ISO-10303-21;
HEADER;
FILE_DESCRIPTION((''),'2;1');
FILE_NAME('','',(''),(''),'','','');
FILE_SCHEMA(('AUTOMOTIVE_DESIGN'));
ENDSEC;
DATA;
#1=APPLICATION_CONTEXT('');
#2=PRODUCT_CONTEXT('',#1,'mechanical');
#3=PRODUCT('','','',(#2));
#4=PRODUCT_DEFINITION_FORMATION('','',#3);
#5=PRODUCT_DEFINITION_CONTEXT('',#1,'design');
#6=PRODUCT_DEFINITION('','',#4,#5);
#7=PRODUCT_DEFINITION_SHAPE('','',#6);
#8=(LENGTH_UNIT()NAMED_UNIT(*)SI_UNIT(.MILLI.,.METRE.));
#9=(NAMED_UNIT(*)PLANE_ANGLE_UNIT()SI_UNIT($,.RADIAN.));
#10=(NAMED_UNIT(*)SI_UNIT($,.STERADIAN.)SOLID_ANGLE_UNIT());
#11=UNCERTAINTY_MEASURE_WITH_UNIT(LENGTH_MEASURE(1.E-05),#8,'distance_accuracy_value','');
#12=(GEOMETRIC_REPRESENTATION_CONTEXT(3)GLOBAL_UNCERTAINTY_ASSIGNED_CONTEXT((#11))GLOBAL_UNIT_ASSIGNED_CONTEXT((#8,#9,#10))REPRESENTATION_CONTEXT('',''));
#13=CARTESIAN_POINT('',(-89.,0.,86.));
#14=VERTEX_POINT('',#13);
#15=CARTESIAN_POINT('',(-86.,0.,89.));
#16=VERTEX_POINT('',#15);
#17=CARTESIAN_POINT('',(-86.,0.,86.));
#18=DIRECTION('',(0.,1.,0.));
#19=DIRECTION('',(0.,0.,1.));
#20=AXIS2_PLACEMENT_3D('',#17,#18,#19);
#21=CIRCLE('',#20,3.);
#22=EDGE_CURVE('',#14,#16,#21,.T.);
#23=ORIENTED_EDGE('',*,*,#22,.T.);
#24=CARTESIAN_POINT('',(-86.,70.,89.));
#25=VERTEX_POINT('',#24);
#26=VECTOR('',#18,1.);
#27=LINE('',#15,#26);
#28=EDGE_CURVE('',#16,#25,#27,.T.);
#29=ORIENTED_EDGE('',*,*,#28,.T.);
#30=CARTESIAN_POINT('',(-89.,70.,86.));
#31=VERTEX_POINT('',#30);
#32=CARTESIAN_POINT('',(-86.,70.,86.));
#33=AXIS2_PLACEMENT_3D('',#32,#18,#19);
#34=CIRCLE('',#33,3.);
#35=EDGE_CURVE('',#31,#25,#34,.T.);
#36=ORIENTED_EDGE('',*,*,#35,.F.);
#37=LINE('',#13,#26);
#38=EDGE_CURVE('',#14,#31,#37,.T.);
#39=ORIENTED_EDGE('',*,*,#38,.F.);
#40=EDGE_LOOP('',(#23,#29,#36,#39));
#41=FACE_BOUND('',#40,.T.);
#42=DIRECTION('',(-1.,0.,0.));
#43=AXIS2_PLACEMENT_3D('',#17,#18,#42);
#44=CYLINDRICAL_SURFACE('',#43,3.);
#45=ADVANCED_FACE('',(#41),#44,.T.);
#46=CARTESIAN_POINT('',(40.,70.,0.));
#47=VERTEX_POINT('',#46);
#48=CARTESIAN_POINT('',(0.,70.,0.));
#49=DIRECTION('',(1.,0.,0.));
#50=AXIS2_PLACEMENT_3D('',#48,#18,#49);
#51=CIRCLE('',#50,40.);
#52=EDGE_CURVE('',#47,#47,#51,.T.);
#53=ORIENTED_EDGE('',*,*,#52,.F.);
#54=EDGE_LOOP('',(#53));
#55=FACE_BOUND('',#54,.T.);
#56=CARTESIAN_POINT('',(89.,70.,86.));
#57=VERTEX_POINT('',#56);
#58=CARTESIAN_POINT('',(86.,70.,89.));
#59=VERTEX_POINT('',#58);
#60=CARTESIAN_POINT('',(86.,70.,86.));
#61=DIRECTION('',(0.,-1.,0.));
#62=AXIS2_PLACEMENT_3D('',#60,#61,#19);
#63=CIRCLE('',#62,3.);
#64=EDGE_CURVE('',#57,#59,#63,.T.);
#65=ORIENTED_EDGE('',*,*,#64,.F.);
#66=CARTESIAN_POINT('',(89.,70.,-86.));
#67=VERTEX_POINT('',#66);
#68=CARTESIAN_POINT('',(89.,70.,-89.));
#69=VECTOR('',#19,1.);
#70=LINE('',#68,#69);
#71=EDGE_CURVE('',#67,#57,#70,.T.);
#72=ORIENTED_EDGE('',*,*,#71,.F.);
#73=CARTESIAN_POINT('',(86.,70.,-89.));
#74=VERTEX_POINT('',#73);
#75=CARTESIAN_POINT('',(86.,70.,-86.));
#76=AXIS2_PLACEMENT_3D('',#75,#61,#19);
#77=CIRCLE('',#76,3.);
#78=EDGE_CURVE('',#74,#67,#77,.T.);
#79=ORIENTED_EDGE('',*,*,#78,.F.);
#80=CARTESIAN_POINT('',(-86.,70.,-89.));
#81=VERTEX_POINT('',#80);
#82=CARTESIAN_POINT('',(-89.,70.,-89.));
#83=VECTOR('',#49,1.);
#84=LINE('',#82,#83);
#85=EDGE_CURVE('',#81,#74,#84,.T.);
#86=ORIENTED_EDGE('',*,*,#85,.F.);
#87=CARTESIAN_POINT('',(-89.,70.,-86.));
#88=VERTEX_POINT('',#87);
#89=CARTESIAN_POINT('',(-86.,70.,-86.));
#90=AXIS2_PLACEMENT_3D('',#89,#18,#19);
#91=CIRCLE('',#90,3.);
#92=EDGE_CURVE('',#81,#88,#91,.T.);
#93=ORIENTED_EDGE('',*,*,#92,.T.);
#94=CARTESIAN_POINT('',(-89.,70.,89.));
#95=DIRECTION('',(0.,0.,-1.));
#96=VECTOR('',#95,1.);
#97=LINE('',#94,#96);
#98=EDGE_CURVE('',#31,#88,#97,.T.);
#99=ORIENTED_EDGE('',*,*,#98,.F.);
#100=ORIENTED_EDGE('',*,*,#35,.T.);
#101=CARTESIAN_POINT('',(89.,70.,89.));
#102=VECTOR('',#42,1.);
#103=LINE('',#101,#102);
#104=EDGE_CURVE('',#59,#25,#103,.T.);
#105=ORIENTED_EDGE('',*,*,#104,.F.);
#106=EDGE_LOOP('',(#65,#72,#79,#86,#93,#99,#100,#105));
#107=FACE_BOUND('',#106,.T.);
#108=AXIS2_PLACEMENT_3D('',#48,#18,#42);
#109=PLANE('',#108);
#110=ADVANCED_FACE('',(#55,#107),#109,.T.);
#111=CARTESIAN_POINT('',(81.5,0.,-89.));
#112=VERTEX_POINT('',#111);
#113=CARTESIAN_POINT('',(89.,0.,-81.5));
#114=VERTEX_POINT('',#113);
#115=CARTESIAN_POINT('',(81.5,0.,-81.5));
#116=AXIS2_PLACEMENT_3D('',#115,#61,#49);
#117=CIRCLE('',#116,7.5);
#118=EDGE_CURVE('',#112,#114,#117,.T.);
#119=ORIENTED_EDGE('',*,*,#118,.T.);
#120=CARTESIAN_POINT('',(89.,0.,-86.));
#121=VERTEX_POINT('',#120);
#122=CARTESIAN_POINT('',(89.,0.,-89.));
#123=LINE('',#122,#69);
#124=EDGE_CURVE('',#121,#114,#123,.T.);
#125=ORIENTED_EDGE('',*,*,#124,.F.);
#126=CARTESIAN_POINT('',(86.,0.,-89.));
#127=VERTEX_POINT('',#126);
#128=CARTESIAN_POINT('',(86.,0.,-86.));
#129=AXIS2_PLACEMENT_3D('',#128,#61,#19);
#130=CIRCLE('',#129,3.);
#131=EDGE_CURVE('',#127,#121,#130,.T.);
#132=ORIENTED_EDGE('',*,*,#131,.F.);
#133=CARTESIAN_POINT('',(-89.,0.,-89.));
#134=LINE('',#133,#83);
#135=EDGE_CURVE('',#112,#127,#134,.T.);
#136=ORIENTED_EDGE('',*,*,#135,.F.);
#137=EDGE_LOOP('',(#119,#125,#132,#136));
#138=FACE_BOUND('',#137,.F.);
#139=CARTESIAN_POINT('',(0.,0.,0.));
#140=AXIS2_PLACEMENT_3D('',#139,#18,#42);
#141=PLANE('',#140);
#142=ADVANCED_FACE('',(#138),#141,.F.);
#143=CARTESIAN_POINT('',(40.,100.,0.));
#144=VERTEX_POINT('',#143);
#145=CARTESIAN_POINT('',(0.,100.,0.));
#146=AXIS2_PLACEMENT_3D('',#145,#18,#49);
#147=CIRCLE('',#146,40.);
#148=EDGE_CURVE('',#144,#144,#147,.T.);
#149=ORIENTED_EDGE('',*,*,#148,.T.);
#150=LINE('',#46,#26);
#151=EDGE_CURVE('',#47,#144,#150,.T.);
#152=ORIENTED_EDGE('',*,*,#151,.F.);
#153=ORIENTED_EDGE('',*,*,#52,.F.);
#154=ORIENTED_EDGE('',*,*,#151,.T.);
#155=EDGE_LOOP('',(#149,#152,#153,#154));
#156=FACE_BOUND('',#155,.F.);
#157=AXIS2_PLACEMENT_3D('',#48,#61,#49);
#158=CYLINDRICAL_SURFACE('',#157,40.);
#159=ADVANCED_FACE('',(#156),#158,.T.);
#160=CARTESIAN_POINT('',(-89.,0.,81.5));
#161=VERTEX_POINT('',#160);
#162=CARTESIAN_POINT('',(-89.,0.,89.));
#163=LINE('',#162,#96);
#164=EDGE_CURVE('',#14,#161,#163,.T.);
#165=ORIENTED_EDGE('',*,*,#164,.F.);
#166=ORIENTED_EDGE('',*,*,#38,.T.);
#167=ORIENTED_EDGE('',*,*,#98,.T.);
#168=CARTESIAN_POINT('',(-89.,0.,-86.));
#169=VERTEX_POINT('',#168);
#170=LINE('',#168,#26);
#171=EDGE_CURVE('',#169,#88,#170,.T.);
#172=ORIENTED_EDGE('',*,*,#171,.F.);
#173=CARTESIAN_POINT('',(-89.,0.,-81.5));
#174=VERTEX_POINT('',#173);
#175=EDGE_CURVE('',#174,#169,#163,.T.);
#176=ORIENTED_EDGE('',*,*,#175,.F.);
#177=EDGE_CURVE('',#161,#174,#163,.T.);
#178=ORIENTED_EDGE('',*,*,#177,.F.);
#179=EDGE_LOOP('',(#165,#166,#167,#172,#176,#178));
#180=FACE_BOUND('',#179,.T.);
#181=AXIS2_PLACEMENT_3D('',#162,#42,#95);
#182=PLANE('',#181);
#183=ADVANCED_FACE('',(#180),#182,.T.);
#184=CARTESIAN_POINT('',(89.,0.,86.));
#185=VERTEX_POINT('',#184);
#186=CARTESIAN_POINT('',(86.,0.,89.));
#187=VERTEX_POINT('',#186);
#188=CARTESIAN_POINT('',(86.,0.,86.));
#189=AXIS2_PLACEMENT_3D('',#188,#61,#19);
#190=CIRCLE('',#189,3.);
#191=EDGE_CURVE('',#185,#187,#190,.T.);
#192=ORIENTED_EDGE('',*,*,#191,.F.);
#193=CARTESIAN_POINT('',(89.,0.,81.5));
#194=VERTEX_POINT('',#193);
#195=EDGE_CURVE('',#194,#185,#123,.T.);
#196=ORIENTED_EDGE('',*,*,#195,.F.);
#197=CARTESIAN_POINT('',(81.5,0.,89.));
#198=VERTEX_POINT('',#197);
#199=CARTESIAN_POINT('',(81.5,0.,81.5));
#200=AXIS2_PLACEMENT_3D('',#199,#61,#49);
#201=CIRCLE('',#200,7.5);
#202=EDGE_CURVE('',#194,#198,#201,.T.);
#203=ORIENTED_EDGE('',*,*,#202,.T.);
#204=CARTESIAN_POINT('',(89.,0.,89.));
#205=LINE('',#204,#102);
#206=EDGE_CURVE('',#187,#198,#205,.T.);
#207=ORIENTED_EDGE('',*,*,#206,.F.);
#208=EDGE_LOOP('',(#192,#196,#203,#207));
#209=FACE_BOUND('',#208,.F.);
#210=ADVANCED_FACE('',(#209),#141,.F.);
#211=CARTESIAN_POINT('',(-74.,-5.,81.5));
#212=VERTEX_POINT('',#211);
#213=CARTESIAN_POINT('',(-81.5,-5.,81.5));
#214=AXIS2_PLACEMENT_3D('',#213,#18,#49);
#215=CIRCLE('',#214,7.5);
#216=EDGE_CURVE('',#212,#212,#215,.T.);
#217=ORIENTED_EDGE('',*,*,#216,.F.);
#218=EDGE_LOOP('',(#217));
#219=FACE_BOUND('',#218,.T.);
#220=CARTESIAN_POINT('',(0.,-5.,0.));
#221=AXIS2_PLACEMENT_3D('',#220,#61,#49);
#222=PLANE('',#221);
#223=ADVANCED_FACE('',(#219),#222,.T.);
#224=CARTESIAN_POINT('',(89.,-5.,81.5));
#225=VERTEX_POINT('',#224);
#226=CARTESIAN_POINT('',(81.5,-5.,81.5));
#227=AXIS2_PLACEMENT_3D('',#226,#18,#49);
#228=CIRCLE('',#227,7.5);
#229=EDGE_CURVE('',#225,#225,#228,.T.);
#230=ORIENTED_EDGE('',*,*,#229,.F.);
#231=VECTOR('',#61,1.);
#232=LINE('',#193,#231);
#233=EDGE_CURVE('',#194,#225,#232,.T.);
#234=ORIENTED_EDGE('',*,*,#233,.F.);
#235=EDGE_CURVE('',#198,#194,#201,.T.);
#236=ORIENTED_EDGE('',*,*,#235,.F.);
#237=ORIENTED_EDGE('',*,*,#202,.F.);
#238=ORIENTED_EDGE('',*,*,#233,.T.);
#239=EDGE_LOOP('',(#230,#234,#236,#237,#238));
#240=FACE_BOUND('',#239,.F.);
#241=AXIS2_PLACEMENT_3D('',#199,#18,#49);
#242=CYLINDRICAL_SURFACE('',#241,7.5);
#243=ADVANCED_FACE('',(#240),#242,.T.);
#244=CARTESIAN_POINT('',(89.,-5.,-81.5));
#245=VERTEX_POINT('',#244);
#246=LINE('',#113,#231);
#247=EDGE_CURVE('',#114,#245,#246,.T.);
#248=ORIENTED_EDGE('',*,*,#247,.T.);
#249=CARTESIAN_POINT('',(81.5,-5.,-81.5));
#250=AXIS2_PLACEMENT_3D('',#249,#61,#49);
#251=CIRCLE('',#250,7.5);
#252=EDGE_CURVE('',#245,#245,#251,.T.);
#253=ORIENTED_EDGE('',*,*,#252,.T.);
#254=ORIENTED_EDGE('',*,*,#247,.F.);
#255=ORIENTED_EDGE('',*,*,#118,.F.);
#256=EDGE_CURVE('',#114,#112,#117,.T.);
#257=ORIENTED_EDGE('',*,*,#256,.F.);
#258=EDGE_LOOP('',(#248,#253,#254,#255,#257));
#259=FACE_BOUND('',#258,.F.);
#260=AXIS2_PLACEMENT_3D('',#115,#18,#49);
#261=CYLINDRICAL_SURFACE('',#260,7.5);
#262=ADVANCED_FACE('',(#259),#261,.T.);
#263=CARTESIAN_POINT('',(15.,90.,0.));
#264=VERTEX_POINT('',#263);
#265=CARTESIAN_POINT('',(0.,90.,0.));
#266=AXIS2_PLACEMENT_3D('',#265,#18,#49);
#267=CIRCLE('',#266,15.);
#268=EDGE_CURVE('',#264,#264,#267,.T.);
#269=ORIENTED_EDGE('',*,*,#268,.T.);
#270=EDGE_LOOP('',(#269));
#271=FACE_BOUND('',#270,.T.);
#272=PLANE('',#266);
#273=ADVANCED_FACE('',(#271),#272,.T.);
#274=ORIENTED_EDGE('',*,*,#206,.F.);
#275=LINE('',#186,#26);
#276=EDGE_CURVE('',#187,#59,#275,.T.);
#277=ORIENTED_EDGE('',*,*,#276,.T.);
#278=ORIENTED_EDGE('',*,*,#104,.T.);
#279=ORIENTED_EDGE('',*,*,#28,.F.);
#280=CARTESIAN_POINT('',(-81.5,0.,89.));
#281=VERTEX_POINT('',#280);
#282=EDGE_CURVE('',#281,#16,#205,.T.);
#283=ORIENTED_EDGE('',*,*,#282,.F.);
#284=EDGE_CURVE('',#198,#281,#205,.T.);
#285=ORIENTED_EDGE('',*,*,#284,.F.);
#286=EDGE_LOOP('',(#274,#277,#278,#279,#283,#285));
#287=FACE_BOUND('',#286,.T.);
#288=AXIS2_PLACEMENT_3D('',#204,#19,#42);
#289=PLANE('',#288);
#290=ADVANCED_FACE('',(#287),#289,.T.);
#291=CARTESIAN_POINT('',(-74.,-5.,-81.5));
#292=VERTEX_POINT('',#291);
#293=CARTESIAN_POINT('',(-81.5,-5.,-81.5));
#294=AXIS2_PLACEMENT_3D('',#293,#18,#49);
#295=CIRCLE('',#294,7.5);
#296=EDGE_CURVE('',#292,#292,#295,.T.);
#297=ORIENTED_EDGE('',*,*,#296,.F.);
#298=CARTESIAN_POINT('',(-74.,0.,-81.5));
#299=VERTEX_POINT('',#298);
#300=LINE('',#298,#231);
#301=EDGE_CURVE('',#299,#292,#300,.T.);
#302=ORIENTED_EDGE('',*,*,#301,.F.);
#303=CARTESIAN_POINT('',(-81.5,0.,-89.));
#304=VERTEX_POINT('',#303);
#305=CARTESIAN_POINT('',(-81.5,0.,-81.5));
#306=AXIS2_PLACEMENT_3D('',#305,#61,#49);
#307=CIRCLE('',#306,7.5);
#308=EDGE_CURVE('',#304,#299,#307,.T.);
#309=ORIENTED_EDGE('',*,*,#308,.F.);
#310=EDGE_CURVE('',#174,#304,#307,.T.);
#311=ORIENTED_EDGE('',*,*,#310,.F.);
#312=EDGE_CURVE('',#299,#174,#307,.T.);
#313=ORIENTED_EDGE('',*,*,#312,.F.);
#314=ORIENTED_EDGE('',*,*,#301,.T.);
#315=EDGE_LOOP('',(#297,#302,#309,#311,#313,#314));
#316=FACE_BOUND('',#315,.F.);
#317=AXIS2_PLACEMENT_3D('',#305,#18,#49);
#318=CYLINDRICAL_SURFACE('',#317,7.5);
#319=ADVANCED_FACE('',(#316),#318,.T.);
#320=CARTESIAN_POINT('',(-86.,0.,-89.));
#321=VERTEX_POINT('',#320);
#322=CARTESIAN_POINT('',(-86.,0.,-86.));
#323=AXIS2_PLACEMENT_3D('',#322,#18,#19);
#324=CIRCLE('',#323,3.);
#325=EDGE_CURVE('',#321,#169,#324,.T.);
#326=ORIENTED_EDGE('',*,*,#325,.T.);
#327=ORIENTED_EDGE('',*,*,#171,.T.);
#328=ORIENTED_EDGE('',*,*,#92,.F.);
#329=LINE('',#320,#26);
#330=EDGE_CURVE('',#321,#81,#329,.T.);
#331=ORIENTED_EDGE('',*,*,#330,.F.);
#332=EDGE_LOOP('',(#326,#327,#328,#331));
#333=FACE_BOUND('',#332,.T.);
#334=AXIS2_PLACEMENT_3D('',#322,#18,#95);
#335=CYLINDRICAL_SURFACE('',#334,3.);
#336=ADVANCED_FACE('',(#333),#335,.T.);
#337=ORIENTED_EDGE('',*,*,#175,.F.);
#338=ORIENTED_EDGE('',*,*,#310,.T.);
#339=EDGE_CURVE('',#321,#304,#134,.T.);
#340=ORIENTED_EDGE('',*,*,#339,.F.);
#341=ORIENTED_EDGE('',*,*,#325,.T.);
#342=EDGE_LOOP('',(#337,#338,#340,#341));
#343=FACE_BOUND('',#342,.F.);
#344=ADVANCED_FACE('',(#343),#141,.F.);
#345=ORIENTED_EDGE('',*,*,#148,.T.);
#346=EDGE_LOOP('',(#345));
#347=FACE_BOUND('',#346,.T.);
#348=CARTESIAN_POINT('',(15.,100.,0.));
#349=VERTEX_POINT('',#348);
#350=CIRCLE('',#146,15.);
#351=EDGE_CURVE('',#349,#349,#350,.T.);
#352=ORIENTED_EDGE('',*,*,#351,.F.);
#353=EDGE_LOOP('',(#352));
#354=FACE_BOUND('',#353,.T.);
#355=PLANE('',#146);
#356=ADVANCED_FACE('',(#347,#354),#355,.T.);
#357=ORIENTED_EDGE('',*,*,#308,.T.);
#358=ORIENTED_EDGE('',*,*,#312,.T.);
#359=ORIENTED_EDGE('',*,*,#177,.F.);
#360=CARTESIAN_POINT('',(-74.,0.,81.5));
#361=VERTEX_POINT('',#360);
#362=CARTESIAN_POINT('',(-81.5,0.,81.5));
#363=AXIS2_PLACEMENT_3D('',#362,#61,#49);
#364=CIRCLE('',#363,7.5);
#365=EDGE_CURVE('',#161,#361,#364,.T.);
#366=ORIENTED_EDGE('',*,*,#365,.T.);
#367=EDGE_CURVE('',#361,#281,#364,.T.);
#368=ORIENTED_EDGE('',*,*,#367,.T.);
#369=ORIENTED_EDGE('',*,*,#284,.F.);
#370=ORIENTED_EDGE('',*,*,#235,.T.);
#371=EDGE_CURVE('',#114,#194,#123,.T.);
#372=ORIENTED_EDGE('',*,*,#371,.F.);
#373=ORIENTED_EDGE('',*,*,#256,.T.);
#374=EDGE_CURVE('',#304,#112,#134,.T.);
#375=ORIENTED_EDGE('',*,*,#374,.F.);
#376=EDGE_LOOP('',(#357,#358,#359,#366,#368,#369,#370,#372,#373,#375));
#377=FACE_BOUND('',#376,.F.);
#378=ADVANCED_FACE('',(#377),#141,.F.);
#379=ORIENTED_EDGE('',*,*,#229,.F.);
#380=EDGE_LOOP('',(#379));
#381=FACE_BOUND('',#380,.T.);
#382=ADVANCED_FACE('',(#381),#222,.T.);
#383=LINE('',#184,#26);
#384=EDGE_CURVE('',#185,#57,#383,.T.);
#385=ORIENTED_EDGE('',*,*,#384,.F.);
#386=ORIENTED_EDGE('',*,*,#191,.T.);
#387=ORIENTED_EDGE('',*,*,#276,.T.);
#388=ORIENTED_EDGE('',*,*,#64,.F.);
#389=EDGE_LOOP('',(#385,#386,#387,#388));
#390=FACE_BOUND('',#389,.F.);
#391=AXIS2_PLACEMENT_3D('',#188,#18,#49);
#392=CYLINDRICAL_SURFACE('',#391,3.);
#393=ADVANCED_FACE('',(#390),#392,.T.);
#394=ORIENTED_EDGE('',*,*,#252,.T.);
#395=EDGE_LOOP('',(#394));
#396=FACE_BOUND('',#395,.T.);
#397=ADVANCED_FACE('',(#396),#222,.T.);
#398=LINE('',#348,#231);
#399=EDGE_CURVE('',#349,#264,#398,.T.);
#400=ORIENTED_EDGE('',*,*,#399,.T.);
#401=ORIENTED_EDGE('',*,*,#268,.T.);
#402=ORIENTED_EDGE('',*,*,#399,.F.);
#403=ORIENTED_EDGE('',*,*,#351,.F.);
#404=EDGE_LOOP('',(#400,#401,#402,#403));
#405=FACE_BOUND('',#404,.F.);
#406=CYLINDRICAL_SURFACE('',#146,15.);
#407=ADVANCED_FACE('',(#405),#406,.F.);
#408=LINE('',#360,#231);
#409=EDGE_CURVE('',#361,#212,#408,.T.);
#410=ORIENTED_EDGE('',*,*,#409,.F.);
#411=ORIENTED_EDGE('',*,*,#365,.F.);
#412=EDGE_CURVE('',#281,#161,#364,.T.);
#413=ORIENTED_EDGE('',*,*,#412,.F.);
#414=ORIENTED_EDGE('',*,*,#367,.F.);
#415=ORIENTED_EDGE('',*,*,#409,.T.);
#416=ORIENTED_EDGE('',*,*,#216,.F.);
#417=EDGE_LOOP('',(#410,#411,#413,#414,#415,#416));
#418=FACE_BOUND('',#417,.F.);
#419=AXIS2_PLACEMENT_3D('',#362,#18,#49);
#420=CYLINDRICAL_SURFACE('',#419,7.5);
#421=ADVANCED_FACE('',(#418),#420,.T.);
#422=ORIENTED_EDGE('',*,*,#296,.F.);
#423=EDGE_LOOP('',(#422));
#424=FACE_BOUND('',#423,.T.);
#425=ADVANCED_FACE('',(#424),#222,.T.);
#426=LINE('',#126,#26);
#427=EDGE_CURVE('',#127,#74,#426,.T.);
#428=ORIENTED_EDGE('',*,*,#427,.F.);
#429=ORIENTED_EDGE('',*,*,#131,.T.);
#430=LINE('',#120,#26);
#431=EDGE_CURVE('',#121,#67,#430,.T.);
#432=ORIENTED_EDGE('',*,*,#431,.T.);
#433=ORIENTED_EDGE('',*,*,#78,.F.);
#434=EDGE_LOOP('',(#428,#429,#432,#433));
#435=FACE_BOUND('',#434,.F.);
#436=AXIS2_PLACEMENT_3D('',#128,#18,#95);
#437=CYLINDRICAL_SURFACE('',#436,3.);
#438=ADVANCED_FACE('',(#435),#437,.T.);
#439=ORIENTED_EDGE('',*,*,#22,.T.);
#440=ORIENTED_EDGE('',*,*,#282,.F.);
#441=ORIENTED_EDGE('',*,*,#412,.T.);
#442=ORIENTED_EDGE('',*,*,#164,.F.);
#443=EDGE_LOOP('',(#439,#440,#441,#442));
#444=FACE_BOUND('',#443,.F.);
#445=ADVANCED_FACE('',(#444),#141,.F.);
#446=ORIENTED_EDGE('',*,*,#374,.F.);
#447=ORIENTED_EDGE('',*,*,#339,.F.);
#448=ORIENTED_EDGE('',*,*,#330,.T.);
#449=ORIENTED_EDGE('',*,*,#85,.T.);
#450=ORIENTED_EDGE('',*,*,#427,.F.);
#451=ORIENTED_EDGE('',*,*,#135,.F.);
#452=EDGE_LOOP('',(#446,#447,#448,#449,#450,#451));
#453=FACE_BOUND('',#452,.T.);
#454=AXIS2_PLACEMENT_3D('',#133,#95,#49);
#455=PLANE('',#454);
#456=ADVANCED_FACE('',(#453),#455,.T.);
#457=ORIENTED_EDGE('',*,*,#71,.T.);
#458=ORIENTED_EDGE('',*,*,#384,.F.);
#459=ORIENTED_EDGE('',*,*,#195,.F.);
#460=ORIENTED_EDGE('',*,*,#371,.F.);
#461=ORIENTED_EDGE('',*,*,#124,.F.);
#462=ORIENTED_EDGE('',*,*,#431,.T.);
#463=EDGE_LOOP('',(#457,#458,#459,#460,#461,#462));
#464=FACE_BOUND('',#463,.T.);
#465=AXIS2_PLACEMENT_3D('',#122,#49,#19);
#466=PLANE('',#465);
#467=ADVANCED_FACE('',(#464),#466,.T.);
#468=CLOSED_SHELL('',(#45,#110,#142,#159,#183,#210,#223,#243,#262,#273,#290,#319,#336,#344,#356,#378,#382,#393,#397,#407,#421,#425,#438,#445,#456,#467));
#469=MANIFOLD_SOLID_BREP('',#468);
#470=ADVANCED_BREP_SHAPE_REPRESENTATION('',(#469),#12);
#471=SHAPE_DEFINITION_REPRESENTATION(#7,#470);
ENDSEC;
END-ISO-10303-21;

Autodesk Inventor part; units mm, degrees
ref_plane "YZ Plane" through (0, 0, 0) normal (1, 0, 0) x (0, 1, 0)
ref_plane "XZ Plane" through (0, 0, 0) normal (0, 1, 0) x (-1, 0, 0)
ref_plane "XY Plane" through (0, 0, 0) normal (0, 0, 1) x (1, 0, 0)
sketch "Sketch1" plane through (0, 0, 0) normal (0, 1, 0) x (-1, 0, 0)
  line L0 (89, -89) -> (-89, -89)
  line L1 (-89, -89) -> (-89, 89)
  line L2 (-89, 89) -> (89, 89)
  line L3 (89, 89) -> (89, -89)
  point P0 (0, 0)
  dimension "d0" = 89
  dimension "d1" = 178
  dimension "d2" = 178
  dimension "d3" = 89
extrude "Extrusion1" add sketch "Sketch1" along normal blind 70
sketch "Sketch2" plane through (0, 70, 0) normal (0, 1, 0) x (1, 0, 0)
  circle A0 centre (0, 0) radius 40
  dimension "d6" = 80
extrude "Extrusion2" add sketch "Sketch2" along normal blind 30
sketch "Sketch3" plane through (0, 100, 0) normal (0, 1, 0) x (1, 0, 0)
  circle A0 centre (0, 0) radius 15
  dimension "d9" = 30
extrude "Extrusion3" cut sketch "Sketch3" against normal blind 10
sketch "Sketch4" plane through (0, 0, 0) normal (0, -1, 0) x (1, 0, 0)
  circle A0 centre (-81.5, 81.5) radius 7.5
  line L0 (-89, 89) -> (89, 89) projected
  line L1 (-89, -89) -> (-89, 89) projected
  circle A1 centre (-81.5, -81.5) radius 7.5
  circle A2 centre (81.5, -81.5) radius 7.5
  circle A3 centre (81.5, 81.5) radius 7.5
  point P0 (0, 0)
  dimension "d12" = 15
  dimension "d13" = 7.5
  dimension "d14" = 7.5
  dimension "d17" = 360
extrude "Extrusion4" add sketch "Sketch4" along normal blind 5 contours A0 | A1 | A3 | A2
fillet "Fillet1" radius 3 4 edges at (-89, 35, 89) (89, 35, 89) (-89, 35, -89) (89, 35, -89)
properties part number "AERO - Base"
